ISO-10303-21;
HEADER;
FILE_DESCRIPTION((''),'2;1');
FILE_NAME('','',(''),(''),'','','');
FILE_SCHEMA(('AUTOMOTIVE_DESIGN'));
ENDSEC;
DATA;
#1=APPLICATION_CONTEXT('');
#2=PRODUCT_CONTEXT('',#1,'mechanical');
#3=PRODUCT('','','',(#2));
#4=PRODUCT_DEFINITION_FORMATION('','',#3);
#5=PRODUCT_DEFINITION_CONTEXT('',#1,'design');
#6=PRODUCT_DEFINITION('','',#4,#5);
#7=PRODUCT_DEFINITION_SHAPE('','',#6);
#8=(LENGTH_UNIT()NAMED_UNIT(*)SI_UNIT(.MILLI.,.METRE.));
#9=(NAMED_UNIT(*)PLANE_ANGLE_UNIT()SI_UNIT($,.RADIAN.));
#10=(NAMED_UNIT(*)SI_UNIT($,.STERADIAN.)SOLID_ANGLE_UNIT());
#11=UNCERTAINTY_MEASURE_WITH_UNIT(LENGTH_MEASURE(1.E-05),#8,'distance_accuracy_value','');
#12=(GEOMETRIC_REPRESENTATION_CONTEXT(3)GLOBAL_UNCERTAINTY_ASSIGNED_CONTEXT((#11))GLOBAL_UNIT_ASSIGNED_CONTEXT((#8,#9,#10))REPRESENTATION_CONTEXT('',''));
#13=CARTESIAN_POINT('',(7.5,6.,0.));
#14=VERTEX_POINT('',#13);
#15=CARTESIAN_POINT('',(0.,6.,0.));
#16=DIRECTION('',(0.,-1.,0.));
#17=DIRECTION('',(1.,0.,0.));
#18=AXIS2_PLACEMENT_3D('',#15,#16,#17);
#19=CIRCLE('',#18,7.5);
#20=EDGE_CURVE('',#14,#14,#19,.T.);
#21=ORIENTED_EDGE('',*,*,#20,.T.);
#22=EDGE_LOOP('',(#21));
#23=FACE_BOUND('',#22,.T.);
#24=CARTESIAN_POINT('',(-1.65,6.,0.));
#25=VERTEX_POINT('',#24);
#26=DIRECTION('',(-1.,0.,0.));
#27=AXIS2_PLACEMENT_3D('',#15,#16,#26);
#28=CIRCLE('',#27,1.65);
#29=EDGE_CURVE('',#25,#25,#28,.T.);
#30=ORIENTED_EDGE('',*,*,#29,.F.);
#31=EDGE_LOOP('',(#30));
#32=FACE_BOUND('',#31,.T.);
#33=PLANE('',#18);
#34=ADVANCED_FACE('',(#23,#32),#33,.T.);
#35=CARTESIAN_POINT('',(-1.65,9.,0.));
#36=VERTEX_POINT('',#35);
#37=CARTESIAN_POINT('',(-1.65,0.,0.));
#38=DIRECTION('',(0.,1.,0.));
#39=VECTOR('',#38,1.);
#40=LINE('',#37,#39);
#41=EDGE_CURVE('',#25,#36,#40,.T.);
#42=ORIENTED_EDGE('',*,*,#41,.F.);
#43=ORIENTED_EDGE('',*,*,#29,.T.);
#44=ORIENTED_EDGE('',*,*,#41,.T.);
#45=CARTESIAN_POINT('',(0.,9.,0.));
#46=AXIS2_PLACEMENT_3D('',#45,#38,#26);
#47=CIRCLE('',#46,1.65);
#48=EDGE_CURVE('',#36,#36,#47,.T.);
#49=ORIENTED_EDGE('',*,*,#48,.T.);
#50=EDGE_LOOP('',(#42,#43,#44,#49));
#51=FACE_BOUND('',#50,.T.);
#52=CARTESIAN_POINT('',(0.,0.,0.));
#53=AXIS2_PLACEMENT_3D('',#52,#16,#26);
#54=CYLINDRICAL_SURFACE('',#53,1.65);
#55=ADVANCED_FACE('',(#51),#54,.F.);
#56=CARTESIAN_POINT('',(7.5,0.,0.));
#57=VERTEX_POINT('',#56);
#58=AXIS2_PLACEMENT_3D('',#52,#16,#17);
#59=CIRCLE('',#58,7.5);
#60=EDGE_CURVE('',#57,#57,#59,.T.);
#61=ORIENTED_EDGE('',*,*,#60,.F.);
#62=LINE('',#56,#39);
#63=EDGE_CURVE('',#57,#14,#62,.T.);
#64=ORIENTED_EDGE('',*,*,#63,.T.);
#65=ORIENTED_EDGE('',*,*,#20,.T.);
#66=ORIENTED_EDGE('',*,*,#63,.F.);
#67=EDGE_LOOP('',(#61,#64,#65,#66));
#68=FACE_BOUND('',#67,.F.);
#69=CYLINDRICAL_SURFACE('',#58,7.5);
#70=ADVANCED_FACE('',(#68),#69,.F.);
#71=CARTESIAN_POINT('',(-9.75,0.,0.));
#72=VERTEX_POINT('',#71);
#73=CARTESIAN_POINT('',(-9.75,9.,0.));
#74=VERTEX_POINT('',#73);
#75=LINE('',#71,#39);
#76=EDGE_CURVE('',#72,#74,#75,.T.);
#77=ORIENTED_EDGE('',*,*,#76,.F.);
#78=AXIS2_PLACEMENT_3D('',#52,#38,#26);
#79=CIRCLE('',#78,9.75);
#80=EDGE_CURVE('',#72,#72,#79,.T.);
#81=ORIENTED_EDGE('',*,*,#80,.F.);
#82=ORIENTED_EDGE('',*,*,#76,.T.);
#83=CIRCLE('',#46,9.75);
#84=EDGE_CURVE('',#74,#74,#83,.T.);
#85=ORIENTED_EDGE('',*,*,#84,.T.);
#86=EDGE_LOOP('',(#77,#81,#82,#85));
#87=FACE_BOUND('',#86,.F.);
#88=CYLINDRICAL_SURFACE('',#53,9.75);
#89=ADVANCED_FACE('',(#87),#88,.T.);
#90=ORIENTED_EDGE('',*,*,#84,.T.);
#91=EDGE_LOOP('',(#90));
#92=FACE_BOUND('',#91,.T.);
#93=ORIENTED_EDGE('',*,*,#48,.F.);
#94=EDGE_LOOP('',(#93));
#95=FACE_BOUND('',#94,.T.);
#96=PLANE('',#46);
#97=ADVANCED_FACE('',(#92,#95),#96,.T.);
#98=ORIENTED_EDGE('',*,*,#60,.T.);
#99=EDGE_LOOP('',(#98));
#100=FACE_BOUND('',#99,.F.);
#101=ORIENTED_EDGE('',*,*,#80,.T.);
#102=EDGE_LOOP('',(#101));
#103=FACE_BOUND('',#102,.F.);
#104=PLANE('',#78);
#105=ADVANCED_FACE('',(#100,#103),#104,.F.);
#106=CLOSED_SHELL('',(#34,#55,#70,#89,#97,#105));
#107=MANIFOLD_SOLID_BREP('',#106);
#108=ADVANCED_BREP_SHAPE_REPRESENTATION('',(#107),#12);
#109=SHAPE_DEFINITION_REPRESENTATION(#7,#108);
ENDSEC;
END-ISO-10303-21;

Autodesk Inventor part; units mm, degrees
ref_plane "YZ Plane" through (0, 0, 0) normal (1, 0, 0) x (0, 1, 0)
ref_plane "XZ Plane" through (0, 0, 0) normal (0, 1, 0) x (-1, 0, 0)
ref_plane "XY Plane" through (0, 0, 0) normal (0, 0, 1) x (1, 0, 0)
sketch "Sketch1" plane through (0, 0, 0) normal (0, 1, 0) x (-1, 0, 0)
  circle A0 centre (0, 0) radius 9.75
  circle A1 centre (0, 0) radius 1.65
  dimension "d0" = 19.5
  dimension "d1" = 3.3
extrude "Extrusion1" add sketch "Sketch1" along normal blind 9
sketch "Sketch2" plane through (0, 0, 0) normal (0, -1, 0) x (1, 0, 0)
  circle A0 centre (0, 0) radius 7.5
  dimension "d5" = 15
extrude "Extrusion2" cut sketch "Sketch2" against normal blind 6
properties part number "wheel" material "ABS Plastic"
